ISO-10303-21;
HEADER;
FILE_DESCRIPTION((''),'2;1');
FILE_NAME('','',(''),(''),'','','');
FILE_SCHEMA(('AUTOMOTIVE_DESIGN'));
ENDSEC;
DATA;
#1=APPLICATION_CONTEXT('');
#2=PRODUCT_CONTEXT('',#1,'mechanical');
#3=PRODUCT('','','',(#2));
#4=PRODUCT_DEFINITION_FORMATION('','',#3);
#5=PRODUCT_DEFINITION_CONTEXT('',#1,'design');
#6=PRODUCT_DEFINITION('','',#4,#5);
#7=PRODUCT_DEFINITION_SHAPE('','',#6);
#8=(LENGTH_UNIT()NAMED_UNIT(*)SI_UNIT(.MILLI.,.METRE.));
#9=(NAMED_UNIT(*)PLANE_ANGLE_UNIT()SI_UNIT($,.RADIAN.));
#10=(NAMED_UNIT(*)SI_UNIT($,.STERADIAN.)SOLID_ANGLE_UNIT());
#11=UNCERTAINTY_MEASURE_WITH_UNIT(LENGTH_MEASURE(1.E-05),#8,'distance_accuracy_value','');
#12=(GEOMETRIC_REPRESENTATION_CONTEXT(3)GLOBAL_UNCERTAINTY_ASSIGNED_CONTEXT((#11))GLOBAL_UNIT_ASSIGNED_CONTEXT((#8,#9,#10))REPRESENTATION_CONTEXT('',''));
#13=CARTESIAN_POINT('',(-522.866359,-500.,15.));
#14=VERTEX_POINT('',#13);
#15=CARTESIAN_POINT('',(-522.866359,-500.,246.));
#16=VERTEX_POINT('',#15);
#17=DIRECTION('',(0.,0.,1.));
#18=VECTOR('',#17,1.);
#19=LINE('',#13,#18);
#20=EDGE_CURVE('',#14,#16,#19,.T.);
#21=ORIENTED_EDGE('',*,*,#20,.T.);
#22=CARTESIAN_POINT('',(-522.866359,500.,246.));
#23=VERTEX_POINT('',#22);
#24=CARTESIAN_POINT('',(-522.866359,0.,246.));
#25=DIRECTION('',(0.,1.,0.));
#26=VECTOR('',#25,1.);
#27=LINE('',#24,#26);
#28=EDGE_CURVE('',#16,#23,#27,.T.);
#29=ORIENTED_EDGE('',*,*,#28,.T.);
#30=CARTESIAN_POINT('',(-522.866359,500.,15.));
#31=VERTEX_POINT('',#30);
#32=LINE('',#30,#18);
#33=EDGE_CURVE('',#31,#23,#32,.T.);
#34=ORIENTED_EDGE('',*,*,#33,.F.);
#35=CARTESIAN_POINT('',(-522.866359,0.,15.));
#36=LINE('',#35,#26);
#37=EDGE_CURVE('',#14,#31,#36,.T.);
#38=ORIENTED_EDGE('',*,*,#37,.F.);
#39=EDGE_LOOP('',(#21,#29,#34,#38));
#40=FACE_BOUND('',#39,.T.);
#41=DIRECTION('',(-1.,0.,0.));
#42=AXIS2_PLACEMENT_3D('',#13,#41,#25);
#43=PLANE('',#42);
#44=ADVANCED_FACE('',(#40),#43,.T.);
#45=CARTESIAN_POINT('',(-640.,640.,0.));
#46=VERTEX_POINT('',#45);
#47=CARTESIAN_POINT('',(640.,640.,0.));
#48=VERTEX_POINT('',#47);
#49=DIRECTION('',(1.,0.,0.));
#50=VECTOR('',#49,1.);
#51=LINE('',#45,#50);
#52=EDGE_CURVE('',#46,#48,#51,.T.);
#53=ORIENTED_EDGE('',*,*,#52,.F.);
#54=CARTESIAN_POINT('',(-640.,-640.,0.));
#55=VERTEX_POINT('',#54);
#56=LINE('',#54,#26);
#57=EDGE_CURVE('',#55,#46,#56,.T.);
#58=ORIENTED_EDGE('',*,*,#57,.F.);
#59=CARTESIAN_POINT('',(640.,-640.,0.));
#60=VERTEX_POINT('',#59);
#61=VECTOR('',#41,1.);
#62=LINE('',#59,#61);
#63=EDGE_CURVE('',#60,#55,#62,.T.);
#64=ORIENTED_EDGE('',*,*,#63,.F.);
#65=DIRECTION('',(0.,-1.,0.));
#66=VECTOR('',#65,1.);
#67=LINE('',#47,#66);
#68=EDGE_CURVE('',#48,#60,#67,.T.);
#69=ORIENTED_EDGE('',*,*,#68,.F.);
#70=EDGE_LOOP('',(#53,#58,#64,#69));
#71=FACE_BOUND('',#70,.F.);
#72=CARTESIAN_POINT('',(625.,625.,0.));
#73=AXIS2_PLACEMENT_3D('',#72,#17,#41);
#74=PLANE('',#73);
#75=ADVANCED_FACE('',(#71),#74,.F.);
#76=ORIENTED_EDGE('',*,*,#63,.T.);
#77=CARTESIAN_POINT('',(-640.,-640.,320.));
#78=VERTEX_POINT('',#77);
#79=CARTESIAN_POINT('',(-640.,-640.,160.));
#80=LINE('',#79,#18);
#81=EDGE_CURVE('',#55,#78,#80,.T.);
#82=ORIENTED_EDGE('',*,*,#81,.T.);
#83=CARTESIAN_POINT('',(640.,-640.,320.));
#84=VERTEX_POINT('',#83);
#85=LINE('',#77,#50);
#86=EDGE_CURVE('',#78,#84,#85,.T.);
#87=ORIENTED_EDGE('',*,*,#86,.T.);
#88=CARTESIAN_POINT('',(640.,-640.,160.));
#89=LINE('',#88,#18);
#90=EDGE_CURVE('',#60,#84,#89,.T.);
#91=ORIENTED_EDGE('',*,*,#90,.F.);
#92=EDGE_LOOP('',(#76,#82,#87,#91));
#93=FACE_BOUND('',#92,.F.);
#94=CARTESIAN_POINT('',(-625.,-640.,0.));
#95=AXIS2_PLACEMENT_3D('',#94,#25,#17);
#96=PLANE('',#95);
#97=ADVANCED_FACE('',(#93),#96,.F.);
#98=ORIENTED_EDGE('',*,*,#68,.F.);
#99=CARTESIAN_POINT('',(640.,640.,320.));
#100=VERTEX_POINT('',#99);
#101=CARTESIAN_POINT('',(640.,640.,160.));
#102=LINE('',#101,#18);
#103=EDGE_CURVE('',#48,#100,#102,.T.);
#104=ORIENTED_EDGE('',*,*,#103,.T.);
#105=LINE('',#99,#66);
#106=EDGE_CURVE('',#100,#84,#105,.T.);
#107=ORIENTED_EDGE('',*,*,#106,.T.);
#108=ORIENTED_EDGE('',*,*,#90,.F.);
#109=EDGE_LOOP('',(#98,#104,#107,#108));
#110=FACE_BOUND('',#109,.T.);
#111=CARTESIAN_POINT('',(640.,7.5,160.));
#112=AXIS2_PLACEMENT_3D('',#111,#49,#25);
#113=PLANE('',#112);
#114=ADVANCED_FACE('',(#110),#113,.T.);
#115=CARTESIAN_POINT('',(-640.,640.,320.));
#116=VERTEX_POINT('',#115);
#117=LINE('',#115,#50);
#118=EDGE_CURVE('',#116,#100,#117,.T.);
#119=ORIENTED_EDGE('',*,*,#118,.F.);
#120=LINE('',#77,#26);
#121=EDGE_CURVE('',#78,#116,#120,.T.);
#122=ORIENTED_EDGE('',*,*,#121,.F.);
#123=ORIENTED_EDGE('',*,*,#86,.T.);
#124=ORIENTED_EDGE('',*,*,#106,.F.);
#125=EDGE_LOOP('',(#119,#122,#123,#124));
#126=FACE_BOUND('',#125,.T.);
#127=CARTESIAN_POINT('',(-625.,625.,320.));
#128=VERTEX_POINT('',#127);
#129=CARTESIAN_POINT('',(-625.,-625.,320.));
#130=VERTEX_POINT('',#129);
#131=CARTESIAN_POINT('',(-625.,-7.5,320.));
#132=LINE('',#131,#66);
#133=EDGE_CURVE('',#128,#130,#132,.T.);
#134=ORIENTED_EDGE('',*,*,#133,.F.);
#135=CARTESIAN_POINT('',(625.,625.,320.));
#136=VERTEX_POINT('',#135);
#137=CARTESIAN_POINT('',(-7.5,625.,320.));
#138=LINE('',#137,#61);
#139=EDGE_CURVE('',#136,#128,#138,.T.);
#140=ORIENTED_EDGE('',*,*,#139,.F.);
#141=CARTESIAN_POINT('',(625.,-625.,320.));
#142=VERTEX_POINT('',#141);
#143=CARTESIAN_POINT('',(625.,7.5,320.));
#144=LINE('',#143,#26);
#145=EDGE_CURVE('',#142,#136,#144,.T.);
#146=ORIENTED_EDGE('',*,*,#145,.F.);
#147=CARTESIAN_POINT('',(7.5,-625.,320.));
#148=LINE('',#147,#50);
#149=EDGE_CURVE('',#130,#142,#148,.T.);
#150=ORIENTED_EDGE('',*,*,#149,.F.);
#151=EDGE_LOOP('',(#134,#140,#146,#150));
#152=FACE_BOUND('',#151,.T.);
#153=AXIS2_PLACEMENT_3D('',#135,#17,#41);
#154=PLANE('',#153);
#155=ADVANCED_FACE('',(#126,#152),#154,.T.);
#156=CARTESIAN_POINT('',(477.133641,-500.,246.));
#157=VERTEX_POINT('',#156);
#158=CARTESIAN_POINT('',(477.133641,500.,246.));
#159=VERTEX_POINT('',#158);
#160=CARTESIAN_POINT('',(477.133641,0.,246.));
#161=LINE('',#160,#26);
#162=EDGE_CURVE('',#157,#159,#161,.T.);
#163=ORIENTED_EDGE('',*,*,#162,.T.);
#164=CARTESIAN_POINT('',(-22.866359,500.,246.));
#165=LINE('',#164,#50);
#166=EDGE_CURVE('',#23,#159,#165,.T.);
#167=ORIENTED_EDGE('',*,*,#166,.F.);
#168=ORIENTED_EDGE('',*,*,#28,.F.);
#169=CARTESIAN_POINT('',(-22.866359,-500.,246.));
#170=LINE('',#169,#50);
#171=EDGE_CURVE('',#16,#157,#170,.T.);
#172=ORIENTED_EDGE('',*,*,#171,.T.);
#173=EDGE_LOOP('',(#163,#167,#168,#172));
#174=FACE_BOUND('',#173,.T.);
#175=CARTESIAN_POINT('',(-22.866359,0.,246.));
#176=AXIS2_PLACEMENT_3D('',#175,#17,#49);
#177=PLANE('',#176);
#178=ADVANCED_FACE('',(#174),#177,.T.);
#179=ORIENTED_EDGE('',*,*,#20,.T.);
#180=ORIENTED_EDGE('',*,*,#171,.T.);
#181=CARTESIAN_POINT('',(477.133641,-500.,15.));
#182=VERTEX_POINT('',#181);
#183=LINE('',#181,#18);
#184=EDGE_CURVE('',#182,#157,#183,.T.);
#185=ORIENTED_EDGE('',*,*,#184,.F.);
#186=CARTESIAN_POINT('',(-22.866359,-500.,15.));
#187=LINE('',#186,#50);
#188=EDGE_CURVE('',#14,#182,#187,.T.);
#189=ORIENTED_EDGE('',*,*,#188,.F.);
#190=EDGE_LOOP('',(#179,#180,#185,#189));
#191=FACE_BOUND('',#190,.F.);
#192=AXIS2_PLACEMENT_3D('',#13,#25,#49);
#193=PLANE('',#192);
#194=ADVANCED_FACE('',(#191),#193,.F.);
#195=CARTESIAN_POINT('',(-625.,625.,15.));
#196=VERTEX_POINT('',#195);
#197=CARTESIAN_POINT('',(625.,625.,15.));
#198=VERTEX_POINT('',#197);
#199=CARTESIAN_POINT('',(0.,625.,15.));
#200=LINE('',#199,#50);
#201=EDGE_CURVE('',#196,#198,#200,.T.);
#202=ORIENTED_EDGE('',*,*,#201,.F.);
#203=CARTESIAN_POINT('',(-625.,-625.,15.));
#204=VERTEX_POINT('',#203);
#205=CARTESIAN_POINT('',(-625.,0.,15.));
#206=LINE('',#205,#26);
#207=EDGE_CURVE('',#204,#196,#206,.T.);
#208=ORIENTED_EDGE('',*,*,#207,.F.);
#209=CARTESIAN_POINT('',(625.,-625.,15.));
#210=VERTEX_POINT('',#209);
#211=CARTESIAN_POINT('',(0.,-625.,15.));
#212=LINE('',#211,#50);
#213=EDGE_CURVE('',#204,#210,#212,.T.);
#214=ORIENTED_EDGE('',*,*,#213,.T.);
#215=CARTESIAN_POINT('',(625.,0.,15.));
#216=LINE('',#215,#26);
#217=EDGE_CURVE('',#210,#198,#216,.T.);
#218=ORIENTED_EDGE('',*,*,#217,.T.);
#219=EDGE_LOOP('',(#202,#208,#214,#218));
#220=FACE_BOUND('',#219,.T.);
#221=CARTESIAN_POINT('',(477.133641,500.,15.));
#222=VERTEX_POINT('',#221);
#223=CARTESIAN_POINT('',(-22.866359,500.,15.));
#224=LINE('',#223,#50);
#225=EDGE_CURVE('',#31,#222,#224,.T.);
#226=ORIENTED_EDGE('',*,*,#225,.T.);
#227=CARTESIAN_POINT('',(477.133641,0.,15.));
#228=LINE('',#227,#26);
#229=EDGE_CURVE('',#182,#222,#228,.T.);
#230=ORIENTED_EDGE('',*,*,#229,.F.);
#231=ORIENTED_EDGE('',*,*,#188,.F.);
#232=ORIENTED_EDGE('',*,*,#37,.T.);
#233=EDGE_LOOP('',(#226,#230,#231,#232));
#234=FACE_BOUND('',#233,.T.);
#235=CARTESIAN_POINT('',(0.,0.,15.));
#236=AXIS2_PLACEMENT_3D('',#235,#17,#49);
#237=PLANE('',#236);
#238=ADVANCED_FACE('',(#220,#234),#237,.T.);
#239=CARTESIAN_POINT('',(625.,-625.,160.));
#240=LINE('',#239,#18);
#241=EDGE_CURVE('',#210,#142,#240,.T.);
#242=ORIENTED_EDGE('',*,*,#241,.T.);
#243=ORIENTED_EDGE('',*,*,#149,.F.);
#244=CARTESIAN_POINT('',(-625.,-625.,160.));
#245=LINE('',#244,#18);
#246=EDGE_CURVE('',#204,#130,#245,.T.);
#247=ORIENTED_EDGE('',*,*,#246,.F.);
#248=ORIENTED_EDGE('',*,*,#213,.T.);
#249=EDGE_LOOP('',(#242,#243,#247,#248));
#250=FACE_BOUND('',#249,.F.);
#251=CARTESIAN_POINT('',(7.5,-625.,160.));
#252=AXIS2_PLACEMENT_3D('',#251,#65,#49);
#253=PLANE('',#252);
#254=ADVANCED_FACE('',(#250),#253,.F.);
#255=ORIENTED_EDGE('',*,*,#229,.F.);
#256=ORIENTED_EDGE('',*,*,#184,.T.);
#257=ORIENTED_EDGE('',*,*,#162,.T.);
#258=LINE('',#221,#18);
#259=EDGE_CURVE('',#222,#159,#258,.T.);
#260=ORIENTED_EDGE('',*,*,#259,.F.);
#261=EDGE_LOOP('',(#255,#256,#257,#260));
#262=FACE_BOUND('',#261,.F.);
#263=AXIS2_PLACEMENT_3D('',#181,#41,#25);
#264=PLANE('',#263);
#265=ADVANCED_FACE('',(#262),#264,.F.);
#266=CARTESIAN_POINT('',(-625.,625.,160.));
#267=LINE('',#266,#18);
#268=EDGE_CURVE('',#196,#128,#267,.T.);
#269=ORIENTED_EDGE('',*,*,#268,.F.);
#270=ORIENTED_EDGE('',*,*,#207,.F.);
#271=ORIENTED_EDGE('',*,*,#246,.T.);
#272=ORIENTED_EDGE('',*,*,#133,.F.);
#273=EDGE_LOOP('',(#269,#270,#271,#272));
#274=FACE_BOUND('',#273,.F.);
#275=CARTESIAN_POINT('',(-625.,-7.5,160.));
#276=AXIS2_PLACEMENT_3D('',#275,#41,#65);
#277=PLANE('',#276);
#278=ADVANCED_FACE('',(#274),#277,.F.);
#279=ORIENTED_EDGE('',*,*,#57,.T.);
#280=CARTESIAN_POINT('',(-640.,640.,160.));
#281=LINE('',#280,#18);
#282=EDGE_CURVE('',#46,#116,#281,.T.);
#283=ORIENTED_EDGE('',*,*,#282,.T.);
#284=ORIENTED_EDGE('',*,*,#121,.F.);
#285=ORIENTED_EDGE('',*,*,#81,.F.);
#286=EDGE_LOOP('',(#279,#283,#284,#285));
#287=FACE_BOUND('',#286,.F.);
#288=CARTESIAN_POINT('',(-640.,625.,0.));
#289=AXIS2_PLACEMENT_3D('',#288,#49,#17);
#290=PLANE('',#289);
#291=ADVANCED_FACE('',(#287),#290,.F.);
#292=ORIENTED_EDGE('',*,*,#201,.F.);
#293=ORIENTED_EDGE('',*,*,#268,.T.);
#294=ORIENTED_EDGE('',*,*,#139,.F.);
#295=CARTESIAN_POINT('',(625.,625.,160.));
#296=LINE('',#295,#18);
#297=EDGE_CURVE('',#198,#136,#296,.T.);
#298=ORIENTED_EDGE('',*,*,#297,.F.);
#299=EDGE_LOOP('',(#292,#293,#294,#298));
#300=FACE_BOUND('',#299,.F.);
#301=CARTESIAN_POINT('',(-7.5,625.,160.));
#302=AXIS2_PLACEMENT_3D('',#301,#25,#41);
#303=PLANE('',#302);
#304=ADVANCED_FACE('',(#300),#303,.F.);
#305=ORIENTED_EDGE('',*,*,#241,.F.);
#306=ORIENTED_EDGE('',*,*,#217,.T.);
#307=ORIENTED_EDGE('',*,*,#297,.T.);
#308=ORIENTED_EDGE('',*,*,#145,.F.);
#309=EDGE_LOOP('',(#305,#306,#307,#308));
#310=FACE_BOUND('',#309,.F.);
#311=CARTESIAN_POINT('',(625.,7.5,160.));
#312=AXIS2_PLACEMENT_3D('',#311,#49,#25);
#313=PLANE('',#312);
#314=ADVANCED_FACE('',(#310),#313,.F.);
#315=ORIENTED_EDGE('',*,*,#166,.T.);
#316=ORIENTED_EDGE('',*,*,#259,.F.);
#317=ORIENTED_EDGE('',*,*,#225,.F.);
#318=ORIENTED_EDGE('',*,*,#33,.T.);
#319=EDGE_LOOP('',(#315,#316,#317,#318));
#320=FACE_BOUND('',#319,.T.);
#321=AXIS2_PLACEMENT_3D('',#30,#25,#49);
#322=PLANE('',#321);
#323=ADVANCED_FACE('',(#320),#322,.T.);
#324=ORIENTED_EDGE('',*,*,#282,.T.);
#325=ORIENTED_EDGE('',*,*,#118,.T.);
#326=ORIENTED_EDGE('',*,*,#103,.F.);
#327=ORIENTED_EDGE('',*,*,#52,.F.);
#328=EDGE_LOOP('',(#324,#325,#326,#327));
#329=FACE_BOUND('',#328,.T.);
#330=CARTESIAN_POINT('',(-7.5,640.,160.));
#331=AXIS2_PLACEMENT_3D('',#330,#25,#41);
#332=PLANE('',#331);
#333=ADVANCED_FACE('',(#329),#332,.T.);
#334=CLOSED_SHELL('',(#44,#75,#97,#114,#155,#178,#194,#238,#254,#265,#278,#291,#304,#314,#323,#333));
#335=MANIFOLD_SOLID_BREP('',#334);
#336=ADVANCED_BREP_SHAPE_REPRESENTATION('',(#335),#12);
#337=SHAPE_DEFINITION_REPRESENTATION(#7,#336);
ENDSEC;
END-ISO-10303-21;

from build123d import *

# Parameters (mm, degrees)
F0_W      = 1250
F0_H      = 1250
F1_DEPTH  = 15
F2_W      = 1265
F2_H      = 320
F6_DEPTH  = 15
F3_W      = 1265
F3_H      = 320
F7_DEPTH  = 15
F4_W      = 1265
F4_H      = 320
F8_DEPTH  = 15
F5_W      = 1265
F5_H      = 320
F9_DEPTH  = 15
F11_W     = 1000
F11_H     = 1000
F12_DEPTH = 231


with BuildPart() as f1:
    # F0 (on Top) → F1 (new body)
    with BuildSketch(Plane.XY):
        Rectangle(F0_W, F0_H)
    extrude(amount=F1_DEPTH)

    # F2 (on face) → F6 (join)
    with BuildSketch(Plane.XZ.offset(625)):
        with Locations((7.5, 160)):
            Rectangle(F2_W, F2_H)
    extrude(amount=F6_DEPTH)

    # F3 (on face) → F7 (join)
    with BuildSketch(Plane.YZ.offset(625)):
        with Locations((7.5, 160)):
            Rectangle(F3_W, F3_H)
    extrude(amount=F7_DEPTH)

    # F4 (on face) → F8 (join)
    with BuildSketch(Plane(origin=(-625, 0, 0), x_dir=(0, -1, 0), z_dir=(-1, 0, 0))):
        with Locations((7.5, 160)):
            Rectangle(F4_W, F4_H)
    extrude(amount=F8_DEPTH)

    # F5 (on face) → F9 (join)
    with BuildSketch(Plane(origin=(0, 625, 0), x_dir=(-1, 0, 0), z_dir=(0, 1, 0))):
        with Locations((7.5, 160)):
            Rectangle(F5_W, F5_H)
    extrude(amount=F9_DEPTH)

    # F11 (on face) → F12 (join)
    with BuildSketch(Plane.XY.offset(15)):
        with Locations((-22.866359, 0)):
            Rectangle(F11_W, F11_H)
    extrude(amount=F12_DEPTH)


solid = f1.part
